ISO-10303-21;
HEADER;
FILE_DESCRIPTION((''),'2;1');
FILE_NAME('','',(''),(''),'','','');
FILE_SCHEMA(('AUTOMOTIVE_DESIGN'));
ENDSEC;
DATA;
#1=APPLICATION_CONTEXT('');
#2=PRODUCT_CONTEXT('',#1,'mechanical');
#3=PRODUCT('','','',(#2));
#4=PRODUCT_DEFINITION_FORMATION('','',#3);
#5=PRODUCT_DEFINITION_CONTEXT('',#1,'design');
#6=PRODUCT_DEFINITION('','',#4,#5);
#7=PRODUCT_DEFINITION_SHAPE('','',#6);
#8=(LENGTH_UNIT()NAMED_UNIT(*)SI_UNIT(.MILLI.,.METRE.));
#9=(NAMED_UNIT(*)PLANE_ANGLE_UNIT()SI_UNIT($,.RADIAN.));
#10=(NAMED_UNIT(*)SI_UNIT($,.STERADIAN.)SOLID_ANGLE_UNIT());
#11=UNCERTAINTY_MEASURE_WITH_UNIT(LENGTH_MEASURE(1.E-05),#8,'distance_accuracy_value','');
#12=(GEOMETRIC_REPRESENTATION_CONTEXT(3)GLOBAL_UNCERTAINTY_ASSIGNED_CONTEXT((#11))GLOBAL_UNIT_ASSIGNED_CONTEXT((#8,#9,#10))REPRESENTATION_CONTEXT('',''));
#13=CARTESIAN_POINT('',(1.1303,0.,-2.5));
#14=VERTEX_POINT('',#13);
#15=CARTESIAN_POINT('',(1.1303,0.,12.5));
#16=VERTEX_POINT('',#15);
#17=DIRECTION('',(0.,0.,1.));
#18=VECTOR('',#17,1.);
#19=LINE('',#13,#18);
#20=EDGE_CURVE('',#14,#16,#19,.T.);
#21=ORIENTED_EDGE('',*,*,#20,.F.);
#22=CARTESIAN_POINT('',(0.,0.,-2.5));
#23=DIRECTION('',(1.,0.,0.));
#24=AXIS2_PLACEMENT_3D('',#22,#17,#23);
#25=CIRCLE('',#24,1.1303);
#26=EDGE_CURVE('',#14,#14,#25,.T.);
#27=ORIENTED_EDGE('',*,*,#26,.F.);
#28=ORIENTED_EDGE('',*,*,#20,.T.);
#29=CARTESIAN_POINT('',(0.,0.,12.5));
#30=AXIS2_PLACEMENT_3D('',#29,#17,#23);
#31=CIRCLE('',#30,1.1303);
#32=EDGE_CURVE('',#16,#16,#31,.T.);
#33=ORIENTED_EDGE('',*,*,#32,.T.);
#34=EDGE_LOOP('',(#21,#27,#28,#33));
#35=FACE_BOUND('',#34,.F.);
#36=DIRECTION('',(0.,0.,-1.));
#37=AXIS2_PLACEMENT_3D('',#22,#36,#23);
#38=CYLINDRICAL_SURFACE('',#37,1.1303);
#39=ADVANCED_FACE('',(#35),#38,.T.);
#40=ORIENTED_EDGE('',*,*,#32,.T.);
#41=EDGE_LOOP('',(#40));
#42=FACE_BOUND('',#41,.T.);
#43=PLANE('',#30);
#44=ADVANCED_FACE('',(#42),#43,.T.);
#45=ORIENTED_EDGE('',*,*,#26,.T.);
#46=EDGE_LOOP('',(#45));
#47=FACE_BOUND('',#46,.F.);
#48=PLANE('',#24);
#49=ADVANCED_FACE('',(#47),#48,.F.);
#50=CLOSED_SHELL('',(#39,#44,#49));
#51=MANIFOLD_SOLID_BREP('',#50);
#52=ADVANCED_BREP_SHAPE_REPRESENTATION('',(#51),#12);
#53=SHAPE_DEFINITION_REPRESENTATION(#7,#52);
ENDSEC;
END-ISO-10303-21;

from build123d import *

# Parameters (mm, degrees)
CYLINDER_R     = 1.1303
CYLINDER_DEPTH = 15


with BuildPart() as part:
    # Cylinder → Cylinder (new body)
    with BuildSketch(Plane.XY.offset(-2.5)):
        Circle(CYLINDER_R)
    extrude(amount=CYLINDER_DEPTH)


solid = part.part
